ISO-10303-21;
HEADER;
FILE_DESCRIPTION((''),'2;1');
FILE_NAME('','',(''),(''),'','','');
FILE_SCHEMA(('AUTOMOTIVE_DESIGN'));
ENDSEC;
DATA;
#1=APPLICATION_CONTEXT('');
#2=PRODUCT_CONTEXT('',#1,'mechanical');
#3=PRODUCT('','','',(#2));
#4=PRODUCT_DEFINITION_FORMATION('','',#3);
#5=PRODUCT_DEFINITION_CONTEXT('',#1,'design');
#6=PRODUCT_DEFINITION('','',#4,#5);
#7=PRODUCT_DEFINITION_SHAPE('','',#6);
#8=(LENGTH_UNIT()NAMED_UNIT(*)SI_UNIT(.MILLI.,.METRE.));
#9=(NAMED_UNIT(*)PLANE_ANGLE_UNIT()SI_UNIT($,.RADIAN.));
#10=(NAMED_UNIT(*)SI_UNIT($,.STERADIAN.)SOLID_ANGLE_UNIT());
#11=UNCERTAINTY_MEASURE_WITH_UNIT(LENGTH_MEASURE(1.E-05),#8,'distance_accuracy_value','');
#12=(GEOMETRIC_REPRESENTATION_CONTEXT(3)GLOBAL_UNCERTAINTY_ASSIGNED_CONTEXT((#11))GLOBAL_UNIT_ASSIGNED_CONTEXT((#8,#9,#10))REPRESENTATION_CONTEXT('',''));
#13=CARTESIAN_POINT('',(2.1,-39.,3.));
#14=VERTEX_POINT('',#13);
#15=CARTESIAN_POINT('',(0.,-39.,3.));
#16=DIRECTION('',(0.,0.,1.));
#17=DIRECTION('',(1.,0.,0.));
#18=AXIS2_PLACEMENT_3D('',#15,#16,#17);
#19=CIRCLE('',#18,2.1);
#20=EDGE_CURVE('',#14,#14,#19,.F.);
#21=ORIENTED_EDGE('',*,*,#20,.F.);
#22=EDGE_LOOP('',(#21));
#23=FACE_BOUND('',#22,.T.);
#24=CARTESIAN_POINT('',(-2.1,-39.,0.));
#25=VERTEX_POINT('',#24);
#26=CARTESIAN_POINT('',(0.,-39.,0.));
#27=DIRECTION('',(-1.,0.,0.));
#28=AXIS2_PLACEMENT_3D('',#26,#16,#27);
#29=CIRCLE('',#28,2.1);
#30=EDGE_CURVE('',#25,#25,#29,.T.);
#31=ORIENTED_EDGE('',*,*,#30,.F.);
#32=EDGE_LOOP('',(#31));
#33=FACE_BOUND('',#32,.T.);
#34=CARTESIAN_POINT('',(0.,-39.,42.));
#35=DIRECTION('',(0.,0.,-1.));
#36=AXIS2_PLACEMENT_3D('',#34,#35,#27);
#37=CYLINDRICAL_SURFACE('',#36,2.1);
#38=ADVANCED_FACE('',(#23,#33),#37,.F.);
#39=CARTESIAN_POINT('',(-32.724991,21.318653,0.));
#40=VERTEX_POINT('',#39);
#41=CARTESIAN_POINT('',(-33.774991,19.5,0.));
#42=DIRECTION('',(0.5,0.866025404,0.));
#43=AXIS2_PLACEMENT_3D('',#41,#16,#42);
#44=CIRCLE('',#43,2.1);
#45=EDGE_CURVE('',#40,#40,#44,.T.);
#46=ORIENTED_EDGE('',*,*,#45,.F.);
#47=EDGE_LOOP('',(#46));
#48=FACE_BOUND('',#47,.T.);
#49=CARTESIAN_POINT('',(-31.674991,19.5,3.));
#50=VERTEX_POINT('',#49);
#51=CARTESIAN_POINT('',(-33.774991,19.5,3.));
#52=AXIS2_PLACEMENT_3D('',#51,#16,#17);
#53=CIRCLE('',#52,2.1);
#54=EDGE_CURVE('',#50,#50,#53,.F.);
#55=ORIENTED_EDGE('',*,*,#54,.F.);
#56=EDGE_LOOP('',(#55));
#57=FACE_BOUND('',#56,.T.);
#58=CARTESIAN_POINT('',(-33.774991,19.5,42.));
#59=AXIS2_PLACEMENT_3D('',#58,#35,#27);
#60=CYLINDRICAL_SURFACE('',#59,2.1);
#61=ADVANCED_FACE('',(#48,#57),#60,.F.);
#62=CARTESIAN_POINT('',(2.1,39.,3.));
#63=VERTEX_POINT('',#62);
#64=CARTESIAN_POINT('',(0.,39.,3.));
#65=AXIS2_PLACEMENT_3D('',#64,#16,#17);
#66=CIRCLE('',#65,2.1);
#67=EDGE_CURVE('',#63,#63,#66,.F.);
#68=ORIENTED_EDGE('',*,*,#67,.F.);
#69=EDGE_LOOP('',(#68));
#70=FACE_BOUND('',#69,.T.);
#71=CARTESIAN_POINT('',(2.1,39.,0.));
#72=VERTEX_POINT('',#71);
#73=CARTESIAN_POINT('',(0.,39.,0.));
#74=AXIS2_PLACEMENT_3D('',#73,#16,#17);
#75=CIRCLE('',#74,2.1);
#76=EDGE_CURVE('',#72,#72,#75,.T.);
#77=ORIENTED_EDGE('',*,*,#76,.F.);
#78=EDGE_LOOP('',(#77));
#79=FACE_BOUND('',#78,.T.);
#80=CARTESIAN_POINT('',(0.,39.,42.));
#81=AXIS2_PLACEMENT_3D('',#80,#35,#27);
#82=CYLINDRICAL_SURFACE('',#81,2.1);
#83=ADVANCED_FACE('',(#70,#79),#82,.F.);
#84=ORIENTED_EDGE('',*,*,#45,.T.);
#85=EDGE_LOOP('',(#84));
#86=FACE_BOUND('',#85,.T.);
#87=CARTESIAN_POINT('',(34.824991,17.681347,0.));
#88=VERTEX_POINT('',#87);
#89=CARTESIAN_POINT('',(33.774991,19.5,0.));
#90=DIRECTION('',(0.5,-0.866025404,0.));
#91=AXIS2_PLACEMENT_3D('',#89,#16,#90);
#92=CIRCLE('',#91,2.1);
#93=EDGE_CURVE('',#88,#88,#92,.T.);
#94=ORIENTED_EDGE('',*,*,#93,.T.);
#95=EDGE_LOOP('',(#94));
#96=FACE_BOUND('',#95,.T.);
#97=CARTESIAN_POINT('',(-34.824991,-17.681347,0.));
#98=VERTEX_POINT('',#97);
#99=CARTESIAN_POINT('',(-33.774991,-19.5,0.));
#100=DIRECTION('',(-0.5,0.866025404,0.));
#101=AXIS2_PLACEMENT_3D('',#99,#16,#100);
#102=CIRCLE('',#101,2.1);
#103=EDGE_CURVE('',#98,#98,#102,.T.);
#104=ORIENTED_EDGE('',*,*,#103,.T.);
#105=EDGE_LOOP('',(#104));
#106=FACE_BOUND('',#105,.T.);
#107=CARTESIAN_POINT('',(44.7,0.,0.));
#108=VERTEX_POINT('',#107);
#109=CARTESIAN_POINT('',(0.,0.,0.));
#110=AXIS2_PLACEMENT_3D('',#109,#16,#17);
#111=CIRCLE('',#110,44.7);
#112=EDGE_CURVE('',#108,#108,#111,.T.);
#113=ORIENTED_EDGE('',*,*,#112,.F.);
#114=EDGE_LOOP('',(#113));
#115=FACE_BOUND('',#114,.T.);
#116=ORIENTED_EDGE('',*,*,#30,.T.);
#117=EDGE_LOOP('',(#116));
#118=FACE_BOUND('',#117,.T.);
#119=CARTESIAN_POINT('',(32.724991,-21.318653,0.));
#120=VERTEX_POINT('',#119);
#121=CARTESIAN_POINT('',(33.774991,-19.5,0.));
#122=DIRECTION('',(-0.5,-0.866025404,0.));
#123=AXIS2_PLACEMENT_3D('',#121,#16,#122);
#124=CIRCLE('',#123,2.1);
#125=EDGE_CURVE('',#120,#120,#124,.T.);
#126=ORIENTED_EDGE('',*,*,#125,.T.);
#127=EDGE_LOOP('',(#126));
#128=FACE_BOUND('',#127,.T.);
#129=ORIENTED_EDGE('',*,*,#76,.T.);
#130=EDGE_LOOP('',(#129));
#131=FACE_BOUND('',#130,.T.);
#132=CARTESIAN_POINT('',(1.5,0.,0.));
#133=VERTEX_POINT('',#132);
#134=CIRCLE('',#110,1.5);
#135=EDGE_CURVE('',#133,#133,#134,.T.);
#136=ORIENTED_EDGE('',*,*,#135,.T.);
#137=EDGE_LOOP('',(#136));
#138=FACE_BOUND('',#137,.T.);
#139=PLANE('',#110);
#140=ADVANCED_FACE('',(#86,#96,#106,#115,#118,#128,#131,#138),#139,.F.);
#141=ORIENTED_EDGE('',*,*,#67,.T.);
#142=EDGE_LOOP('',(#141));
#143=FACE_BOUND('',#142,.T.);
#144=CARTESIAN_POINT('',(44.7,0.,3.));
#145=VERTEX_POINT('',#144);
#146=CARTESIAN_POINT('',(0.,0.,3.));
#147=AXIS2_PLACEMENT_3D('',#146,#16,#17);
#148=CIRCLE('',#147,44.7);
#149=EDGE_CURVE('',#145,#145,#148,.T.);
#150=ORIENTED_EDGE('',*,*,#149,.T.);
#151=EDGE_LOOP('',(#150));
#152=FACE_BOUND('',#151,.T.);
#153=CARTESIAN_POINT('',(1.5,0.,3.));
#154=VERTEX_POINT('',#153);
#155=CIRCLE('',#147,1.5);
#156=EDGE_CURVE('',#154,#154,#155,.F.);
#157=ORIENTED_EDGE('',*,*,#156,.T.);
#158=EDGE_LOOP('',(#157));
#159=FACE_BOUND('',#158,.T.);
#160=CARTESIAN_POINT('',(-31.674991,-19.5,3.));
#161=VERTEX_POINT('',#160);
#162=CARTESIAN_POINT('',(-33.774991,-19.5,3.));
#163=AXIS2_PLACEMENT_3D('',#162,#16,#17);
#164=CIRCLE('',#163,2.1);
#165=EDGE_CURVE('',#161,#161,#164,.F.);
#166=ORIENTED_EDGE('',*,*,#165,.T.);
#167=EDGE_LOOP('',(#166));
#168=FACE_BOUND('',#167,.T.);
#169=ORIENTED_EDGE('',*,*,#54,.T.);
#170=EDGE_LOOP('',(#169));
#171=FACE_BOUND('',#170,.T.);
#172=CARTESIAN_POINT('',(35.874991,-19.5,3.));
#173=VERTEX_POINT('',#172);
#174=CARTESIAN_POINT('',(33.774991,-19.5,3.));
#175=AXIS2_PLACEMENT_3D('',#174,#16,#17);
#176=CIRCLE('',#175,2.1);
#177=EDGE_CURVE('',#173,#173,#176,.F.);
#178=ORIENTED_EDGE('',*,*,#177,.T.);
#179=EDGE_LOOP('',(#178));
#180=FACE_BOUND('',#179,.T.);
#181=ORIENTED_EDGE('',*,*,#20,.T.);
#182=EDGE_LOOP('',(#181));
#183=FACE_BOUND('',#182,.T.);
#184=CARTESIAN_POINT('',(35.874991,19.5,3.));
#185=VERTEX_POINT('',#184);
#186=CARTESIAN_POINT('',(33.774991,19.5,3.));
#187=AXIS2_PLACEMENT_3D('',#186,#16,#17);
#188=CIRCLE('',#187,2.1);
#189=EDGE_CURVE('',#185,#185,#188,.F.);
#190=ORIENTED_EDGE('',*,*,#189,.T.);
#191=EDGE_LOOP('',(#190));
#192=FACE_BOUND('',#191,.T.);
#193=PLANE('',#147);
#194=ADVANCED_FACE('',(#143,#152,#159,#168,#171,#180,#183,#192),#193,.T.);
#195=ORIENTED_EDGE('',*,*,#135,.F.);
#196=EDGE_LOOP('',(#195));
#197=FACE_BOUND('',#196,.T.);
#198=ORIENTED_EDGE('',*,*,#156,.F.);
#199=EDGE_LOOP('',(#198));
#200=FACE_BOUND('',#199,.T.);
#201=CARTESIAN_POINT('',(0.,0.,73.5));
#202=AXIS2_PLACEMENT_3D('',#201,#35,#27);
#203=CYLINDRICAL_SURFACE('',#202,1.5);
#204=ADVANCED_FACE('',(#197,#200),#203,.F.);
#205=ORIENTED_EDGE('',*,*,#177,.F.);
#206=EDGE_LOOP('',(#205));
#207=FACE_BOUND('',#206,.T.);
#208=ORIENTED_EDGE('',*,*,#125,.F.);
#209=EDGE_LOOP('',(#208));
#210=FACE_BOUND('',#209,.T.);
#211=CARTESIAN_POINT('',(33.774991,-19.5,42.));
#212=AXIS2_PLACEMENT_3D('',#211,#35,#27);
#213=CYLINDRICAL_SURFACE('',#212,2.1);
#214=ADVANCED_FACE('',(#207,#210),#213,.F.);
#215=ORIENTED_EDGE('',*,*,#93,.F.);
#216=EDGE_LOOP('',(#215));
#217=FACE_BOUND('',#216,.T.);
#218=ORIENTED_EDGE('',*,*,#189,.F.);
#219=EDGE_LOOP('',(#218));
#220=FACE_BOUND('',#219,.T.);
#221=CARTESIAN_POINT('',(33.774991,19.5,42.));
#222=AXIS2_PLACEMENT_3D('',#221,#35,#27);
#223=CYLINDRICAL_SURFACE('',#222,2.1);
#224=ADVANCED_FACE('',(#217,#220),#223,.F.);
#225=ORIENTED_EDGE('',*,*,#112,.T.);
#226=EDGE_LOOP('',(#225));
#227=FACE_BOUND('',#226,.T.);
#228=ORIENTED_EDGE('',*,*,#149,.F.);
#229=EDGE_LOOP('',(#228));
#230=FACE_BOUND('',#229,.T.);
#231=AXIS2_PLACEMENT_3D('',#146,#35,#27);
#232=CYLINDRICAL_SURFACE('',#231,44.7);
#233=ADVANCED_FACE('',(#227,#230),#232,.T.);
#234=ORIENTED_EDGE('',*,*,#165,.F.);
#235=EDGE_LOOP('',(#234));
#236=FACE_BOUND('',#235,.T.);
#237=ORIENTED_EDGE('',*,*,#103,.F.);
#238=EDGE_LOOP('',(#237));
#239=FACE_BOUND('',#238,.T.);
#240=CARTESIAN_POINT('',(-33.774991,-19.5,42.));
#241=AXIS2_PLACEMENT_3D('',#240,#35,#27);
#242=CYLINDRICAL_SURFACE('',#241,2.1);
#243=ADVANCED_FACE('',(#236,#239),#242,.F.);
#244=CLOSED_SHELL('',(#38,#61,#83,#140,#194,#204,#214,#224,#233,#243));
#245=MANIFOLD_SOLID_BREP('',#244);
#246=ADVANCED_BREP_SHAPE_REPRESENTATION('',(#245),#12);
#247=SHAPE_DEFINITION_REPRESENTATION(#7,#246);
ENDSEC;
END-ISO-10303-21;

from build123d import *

# Parameters (mm, degrees)
SKETCH_1_R               = 44.7
EXTRUDE_1_DEPTH          = 3
SKETCH_1_5_R             = 1.5
CUT_EXTRUDE_1_DEPTH      = 73.5
SKETCH_1_6_R             = 2.1
CUT_EXTRUDE_2_DEPTH      = 42
PATTERN_CIRCULAR_1_COUNT = 6


with BuildPart() as part:
    # Эскиз1 → Бобышка-Вытянуть1 (new body)
    with BuildSketch(Plane.XY):
        Circle(SKETCH_1_R)
    extrude(amount=EXTRUDE_1_DEPTH)

    # Эскиз1<5> → Вырез-Вытянуть1 (cut)
    with BuildSketch(Plane.XY):
        Circle(SKETCH_1_5_R)
    extrude(amount=CUT_EXTRUDE_1_DEPTH, mode=Mode.SUBTRACT)

    # Эскиз1<6> → Вырез-Вытянуть2 (cut)
    with BuildSketch(Plane.XY):
        with Locations((0, 39)):
            Circle(SKETCH_1_6_R)
    cut_extrude_2 = extrude(amount=CUT_EXTRUDE_2_DEPTH, mode=Mode.SUBTRACT)

    # Круговой массив1: Вырез-Вытянуть2 ×6 about axis
    pattern_circular_1_axis = Axis((0, 0, 3), (0, 0, -1))
    for i in range(1, PATTERN_CIRCULAR_1_COUNT):
        add(cut_extrude_2.rotate(pattern_circular_1_axis, i * 360 / PATTERN_CIRCULAR_1_COUNT), mode=Mode.SUBTRACT)


solid = part.part
